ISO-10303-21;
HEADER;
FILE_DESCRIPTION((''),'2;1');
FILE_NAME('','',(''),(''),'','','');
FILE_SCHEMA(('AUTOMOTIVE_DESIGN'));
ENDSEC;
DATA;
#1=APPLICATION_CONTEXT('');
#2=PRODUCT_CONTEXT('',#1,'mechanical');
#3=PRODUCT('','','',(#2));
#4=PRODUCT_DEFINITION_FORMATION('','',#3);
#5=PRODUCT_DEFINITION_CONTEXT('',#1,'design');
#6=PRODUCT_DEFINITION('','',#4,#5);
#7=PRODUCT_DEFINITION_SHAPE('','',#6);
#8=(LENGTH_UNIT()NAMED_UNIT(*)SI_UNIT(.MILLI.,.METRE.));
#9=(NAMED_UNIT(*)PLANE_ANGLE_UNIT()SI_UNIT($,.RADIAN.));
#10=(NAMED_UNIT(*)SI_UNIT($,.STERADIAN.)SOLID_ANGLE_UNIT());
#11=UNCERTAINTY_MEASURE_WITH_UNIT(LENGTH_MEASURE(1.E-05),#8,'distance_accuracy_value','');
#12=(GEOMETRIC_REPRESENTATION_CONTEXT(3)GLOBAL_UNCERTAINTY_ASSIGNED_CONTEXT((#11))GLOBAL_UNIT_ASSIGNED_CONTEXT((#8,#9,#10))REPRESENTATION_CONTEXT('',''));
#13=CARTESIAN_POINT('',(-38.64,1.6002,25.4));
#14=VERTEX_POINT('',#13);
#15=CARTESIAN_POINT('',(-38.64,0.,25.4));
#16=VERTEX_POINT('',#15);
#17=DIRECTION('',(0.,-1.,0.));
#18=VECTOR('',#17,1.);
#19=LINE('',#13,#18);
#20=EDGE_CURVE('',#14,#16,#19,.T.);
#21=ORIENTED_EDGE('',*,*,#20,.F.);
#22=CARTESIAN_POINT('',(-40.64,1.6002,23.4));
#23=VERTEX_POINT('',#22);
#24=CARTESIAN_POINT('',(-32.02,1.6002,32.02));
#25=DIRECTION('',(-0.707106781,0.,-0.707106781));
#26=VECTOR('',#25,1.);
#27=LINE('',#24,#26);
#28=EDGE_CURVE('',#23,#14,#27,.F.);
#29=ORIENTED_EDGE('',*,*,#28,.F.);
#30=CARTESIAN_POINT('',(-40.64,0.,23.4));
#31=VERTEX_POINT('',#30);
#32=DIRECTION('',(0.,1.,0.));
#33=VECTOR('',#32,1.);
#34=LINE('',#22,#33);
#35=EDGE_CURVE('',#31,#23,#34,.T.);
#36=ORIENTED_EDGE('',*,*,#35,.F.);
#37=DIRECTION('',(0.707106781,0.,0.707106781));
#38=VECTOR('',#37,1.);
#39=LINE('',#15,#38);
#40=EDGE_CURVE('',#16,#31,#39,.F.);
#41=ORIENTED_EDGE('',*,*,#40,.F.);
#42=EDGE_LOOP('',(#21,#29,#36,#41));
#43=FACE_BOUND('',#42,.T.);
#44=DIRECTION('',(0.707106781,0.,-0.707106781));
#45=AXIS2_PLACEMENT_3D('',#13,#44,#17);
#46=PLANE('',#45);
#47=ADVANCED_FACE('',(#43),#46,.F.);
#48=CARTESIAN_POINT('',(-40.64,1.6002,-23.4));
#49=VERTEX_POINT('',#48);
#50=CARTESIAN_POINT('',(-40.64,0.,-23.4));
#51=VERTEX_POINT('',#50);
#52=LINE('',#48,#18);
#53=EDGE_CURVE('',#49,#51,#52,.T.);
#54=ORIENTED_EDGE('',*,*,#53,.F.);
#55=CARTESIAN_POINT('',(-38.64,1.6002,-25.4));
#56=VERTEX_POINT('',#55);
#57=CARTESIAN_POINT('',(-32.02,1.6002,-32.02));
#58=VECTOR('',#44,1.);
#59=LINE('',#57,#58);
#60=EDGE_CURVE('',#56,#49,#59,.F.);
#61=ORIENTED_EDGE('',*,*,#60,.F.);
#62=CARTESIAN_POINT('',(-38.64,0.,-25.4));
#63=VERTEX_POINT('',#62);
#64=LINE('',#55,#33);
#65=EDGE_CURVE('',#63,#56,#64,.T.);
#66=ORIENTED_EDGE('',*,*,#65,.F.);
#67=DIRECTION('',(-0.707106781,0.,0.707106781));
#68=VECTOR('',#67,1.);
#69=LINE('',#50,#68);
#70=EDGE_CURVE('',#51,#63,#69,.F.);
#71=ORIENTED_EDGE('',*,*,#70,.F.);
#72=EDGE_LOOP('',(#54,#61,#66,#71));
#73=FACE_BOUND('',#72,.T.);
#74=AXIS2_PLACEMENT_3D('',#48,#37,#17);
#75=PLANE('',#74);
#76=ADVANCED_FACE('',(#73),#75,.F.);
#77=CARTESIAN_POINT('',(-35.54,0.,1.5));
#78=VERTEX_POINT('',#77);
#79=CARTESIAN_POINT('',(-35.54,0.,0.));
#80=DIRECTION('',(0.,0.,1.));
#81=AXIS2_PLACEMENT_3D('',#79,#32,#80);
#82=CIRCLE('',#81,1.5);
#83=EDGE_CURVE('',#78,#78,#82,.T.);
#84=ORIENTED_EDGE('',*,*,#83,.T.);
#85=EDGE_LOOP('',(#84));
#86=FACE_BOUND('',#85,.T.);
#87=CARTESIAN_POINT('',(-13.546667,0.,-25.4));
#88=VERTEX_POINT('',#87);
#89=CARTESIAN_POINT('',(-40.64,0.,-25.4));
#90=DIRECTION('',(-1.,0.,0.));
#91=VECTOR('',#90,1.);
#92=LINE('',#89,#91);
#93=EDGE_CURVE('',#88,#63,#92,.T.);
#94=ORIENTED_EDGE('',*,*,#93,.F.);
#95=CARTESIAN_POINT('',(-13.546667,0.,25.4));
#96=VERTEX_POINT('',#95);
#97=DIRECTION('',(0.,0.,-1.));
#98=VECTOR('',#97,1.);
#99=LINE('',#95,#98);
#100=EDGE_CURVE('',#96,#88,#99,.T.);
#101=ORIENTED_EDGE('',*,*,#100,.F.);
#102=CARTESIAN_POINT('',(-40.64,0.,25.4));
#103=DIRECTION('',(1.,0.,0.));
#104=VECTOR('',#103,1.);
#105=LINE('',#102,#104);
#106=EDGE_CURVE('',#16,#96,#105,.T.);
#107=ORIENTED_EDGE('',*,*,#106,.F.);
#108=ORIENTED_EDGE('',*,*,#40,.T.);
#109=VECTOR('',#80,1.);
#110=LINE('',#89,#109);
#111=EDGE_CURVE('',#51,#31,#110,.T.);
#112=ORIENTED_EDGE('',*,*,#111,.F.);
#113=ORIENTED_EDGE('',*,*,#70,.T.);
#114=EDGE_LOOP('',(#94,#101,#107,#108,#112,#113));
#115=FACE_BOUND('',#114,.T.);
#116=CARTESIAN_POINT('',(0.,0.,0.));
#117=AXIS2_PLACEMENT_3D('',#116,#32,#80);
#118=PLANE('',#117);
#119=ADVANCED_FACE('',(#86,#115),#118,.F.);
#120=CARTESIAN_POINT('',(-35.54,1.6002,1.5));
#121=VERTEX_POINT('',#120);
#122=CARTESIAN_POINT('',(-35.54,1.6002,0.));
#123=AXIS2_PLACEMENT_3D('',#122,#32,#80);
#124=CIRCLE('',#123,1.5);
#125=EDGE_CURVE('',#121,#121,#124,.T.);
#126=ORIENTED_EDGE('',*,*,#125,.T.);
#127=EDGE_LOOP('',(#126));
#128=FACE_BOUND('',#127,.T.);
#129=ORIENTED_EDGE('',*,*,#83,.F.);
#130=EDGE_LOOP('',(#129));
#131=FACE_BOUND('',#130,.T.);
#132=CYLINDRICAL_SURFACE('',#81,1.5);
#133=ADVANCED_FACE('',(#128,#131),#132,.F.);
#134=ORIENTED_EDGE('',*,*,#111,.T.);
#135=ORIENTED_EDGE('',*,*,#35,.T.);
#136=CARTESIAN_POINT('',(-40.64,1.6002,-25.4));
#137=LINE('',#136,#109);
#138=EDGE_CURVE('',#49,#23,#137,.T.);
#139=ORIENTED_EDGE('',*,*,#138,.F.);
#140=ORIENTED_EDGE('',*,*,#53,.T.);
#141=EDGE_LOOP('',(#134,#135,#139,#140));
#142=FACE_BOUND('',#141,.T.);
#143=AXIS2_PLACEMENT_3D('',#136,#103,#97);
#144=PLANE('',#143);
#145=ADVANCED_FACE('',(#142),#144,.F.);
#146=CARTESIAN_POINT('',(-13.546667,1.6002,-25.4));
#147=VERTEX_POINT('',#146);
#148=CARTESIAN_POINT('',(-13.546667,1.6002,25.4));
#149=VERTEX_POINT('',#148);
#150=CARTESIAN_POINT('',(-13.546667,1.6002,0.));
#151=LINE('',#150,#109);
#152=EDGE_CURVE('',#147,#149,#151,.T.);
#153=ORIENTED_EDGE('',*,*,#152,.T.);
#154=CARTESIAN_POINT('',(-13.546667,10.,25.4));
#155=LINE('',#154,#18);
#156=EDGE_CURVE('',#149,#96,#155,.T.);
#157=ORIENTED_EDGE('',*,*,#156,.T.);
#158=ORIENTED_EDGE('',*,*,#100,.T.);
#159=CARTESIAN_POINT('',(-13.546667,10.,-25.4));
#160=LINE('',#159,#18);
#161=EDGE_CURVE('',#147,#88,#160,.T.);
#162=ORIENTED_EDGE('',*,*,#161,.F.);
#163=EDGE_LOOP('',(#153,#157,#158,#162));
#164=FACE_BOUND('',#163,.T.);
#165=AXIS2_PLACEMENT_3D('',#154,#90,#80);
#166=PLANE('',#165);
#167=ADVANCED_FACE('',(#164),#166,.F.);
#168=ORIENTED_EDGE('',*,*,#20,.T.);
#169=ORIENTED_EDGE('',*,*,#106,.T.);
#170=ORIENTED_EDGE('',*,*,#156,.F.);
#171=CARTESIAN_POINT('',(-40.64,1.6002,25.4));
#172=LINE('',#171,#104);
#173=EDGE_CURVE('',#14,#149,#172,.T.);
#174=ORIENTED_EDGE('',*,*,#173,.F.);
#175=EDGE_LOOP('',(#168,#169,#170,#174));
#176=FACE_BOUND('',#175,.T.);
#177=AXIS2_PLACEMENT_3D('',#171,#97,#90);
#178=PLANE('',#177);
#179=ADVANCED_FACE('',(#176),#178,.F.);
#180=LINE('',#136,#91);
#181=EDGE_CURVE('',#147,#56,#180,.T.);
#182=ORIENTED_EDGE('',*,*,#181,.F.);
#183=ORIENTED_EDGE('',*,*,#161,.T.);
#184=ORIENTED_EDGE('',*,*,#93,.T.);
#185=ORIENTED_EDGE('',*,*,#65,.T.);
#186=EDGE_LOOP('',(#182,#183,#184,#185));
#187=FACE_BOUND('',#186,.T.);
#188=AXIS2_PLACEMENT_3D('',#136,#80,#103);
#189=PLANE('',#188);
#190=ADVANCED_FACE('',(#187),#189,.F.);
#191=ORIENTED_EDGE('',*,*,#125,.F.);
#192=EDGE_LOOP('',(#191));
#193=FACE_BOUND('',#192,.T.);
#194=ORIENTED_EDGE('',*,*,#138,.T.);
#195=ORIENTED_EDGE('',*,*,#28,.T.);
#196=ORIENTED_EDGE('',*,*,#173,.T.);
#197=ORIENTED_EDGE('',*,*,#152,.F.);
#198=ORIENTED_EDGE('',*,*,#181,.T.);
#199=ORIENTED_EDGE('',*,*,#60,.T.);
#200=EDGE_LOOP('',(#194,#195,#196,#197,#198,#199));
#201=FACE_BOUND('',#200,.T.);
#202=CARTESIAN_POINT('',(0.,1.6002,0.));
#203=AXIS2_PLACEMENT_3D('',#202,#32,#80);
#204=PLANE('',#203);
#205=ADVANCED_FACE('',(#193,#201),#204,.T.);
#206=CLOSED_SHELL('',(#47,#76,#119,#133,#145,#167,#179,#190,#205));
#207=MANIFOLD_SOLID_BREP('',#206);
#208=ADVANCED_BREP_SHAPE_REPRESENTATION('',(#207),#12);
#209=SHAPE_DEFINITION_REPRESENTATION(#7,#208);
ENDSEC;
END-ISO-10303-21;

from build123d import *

# Parameters (mm, degrees)
SKETCH1_W           = 81.28
SKETCH1_H           = 50.8
BOSS_EXTRUDE1_DEPTH = 1.6002
SKETCH2_R           = 1.5
CUT_EXTRUDE1_DEPTH  = 1.6002
CHAMFER1_SIZE       = 2
CUT_EXTRUDE2_DEPTH  = 10


with BuildPart() as part:
    # Sketch1 → Boss-Extrude1 (new body)
    with BuildSketch(Plane(origin=(0, 0, 0), x_dir=(1, 0, 0), z_dir=(0, 1, 0))):
        Rectangle(SKETCH1_W, SKETCH1_H)
    extrude(amount=BOSS_EXTRUDE1_DEPTH)

    # Sketch2 → Cut-Extrude1 (cut)
    with BuildSketch(Plane(origin=(0, 1.6002, 0), x_dir=(1, 0, 0), z_dir=(0, 1, 0))):
        with Locations((-35.54, 0)):
            Circle(SKETCH2_R)
        with Locations((35.56, 0)):
            Circle(SKETCH2_R)
        Circle(SKETCH2_R)
    extrude(amount=-CUT_EXTRUDE1_DEPTH, mode=Mode.SUBTRACT)

    # Chamfer1
    chamfer1_edges = [part.edges().sort_by_distance(p)[0] for p in [
        (40.64, 0.8001, 25.4),
        (-40.64, 0.8001, 25.4),
        (-40.64, 0.8001, -25.4),
        (40.64, 0.8001, -25.4),
    ]]
    chamfer(chamfer1_edges, length=CHAMFER1_SIZE)

    # Sketch3 → Cut-Extrude2 (cut)
    with BuildSketch(Plane.XZ):
        Polygon((-13.546666667, 25.4), (-13.546666667, -25.4), (38.64, -25.4), (40.64, -23.4), (40.64, 23.4), (38.64, 25.4), align=None)
    extrude(amount=-CUT_EXTRUDE2_DEPTH, mode=Mode.SUBTRACT)


solid = part.part
